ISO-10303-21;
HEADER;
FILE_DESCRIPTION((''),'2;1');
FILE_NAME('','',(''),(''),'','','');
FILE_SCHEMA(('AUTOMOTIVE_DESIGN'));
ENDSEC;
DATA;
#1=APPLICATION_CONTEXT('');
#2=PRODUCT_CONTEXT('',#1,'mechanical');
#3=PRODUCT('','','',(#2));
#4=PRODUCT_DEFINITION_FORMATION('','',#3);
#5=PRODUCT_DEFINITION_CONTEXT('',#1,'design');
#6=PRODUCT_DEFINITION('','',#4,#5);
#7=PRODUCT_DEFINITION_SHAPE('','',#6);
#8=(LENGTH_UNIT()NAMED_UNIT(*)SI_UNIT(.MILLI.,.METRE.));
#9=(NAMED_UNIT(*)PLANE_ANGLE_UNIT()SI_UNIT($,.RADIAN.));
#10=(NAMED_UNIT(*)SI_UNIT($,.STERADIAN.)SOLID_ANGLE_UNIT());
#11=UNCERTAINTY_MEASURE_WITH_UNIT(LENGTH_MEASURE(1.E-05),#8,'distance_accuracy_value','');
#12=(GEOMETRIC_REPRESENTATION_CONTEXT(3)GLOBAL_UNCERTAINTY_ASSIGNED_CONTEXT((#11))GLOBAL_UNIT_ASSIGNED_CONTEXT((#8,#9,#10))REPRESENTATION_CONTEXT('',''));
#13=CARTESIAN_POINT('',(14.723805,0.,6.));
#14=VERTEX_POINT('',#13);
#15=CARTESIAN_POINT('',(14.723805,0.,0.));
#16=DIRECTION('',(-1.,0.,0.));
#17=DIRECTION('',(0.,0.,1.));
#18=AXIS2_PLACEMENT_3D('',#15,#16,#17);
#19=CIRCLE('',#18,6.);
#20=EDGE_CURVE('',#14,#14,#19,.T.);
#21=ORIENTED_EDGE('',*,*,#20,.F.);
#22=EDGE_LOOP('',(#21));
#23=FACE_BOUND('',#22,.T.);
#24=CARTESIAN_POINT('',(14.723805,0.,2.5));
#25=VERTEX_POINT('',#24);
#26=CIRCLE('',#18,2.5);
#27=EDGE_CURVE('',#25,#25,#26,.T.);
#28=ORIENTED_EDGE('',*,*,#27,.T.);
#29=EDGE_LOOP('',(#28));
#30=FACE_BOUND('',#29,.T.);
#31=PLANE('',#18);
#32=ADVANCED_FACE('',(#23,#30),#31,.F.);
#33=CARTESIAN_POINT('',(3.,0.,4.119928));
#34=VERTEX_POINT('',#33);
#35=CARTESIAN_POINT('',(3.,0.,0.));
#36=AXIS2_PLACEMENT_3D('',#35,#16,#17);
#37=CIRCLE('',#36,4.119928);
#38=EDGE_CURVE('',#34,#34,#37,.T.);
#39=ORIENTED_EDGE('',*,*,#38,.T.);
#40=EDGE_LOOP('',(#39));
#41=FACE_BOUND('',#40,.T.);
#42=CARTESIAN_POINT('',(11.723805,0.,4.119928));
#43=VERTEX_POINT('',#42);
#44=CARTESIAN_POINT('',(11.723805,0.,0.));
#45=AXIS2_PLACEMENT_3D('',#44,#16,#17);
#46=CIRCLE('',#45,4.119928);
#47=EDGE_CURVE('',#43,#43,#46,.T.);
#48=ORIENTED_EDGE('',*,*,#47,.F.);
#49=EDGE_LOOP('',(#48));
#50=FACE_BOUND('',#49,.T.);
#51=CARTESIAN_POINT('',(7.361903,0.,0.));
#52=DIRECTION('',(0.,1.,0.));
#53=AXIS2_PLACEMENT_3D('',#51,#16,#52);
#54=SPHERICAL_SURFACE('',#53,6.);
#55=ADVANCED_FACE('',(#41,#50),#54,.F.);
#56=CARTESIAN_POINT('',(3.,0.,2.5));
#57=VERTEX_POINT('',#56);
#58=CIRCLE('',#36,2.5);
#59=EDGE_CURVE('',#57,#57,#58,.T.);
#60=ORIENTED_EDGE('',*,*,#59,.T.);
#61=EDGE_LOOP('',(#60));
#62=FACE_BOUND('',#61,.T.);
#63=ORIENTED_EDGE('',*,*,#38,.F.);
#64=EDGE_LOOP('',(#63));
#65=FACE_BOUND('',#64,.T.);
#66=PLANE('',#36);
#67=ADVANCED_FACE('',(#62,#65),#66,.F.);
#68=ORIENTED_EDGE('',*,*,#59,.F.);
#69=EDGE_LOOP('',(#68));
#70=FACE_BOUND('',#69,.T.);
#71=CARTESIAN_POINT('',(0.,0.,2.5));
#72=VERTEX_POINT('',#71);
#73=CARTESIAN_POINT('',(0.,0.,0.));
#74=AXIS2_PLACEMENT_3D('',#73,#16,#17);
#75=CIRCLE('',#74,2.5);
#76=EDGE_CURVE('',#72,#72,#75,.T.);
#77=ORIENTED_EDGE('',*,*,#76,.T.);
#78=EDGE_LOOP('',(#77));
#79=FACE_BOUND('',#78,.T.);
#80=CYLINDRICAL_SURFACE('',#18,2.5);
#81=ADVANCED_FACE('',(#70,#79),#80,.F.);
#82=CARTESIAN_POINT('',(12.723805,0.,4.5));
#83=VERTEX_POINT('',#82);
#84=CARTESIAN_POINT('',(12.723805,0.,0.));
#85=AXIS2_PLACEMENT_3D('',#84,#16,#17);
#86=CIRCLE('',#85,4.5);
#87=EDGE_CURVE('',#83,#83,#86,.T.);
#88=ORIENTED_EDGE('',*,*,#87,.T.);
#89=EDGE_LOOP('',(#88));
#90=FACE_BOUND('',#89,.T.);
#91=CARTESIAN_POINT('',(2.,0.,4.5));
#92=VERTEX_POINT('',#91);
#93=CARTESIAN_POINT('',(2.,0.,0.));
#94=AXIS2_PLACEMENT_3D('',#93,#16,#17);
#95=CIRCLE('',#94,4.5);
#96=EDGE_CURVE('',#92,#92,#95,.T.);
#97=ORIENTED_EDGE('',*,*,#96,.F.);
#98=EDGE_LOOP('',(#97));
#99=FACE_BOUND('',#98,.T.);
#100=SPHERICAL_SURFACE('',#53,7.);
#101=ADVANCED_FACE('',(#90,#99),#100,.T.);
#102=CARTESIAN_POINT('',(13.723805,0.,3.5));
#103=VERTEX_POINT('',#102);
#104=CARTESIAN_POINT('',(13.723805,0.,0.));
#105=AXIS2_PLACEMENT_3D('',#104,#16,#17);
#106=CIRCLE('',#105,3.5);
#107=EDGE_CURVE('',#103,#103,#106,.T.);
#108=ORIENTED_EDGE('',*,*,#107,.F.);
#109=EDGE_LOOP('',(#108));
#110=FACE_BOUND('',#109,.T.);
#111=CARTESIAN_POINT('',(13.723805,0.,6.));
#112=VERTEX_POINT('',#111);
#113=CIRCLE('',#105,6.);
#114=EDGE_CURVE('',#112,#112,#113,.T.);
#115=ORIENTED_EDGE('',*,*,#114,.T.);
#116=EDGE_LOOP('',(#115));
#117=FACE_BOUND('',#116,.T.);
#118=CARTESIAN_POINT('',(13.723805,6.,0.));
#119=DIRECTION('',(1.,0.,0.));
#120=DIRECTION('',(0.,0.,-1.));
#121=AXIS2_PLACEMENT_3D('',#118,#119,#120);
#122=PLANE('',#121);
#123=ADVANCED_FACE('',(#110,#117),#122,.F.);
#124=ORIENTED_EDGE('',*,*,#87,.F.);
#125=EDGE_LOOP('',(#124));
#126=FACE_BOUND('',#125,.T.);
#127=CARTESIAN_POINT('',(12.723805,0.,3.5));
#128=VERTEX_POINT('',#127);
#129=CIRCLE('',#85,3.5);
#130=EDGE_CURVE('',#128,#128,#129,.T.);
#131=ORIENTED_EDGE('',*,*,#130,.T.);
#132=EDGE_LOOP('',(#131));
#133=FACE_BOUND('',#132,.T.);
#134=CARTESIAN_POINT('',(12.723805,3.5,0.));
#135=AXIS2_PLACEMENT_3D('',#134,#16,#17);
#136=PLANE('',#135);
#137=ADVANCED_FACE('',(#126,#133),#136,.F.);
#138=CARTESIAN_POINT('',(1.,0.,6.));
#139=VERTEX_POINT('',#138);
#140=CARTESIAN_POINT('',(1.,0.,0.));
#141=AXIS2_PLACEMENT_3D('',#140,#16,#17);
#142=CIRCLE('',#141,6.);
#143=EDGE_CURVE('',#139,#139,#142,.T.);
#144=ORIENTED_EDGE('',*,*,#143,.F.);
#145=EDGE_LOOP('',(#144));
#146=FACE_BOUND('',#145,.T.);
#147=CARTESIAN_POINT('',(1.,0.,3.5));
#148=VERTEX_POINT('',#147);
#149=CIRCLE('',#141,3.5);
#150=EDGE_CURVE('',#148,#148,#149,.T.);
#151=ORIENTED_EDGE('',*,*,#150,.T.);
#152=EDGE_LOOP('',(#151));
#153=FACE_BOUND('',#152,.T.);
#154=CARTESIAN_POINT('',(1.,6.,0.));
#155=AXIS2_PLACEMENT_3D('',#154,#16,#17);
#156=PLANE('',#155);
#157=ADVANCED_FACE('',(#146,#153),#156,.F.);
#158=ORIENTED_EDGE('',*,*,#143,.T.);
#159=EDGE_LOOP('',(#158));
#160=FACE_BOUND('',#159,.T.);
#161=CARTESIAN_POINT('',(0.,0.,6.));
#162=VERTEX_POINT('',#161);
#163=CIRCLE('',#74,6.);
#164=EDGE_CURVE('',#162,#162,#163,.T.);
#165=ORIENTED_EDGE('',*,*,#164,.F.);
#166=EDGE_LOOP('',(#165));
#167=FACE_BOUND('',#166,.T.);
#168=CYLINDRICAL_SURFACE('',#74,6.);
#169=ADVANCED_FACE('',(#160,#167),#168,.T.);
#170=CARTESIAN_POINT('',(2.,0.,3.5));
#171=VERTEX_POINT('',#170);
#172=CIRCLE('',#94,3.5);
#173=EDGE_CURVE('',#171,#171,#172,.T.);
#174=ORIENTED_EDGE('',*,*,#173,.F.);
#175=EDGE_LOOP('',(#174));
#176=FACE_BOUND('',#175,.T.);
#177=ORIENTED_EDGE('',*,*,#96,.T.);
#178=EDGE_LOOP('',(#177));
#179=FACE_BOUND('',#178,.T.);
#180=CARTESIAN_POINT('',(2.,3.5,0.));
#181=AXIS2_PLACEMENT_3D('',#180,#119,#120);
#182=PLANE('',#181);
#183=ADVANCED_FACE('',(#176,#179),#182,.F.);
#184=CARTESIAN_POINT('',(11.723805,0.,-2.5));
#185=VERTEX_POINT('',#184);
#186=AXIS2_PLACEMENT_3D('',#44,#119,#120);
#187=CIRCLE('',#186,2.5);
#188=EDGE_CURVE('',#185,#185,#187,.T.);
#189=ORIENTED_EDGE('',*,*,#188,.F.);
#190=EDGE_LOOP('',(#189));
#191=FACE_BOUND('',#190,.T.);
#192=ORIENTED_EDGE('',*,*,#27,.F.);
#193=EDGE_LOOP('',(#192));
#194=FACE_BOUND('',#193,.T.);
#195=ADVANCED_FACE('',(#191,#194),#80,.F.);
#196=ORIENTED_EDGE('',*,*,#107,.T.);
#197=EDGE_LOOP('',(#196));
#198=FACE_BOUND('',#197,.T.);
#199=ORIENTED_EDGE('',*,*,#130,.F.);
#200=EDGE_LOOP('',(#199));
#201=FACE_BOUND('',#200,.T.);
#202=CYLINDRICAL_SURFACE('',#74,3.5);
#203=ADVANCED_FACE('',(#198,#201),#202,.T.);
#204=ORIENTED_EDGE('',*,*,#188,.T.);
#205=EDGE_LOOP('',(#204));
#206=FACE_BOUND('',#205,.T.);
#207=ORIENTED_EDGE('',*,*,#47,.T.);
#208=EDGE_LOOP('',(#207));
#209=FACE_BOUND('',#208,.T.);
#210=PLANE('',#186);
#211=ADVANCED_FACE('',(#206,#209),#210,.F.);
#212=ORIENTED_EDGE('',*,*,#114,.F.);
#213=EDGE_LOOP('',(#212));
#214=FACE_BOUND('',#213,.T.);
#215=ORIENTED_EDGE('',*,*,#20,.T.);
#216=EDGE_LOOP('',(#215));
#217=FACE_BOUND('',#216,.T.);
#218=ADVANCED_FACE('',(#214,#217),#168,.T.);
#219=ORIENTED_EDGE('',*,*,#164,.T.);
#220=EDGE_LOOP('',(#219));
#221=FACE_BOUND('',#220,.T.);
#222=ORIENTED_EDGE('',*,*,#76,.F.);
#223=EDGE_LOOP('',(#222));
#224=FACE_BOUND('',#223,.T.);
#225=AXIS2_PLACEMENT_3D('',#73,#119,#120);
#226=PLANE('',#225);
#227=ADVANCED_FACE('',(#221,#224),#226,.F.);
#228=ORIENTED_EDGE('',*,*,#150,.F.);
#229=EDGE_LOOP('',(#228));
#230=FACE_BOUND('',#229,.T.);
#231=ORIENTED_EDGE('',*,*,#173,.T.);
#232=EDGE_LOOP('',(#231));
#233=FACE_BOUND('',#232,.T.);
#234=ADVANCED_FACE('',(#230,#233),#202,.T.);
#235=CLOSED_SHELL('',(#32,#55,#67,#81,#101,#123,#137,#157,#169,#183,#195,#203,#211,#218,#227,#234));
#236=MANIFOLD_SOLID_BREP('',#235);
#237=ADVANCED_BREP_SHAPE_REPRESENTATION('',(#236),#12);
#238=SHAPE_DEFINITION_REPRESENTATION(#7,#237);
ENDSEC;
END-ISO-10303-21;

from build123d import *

# Parameters (mm, degrees)
SKETCH_2_R          = 2.5
CUT_EXTRUDE_1_DEPTH = 15.723805295


with BuildPart() as part:
    # Эскиз1 → Повернуть1 (revolve)
    with BuildSketch(Plane.XY):
        with BuildLine():
            Line((0, 0), (0, 6))
            Line((0, 6), (1, 6))
            Line((1, 6), (1, 3.5))
            Line((1, 3.5), (2, 3.5))
            Line((2, 3.5), (2, 4.5))
            ThreePointArc((2, 4.5), (7.361902647, 7), (12.723805295, 4.5))
            Line((12.723805295, 4.5), (12.723805295, 3.5))
            Line((12.723805295, 3.5), (13.723805295, 3.5))
            Line((13.723805295, 3.5), (13.723805295, 6))
            Line((13.723805295, 6), (14.723805295, 6))
            Line((14.723805295, 6), (14.723805295, 0))
            Line((14.723805295, 0), (11.723805295, 0))
            Line((11.723805295, 0), (11.723805295, 4.119927826))
            ThreePointArc((11.723805295, 4.119927826), (7.361902647, 6), (3, 4.119927826))
            Line((3, 4.119927826), (3, 0))
            Line((3, 0), (0, 0))
        make_face()
    revolve(axis=Axis((0, 0, 0), (1, 0, 0)))

    # Эскиз2 → Вырез-Вытянуть1 (cut, through all)
    with BuildSketch(Plane.ZY):
        Circle(SKETCH_2_R)
    extrude(amount=-CUT_EXTRUDE_1_DEPTH, mode=Mode.SUBTRACT)


solid = part.part
